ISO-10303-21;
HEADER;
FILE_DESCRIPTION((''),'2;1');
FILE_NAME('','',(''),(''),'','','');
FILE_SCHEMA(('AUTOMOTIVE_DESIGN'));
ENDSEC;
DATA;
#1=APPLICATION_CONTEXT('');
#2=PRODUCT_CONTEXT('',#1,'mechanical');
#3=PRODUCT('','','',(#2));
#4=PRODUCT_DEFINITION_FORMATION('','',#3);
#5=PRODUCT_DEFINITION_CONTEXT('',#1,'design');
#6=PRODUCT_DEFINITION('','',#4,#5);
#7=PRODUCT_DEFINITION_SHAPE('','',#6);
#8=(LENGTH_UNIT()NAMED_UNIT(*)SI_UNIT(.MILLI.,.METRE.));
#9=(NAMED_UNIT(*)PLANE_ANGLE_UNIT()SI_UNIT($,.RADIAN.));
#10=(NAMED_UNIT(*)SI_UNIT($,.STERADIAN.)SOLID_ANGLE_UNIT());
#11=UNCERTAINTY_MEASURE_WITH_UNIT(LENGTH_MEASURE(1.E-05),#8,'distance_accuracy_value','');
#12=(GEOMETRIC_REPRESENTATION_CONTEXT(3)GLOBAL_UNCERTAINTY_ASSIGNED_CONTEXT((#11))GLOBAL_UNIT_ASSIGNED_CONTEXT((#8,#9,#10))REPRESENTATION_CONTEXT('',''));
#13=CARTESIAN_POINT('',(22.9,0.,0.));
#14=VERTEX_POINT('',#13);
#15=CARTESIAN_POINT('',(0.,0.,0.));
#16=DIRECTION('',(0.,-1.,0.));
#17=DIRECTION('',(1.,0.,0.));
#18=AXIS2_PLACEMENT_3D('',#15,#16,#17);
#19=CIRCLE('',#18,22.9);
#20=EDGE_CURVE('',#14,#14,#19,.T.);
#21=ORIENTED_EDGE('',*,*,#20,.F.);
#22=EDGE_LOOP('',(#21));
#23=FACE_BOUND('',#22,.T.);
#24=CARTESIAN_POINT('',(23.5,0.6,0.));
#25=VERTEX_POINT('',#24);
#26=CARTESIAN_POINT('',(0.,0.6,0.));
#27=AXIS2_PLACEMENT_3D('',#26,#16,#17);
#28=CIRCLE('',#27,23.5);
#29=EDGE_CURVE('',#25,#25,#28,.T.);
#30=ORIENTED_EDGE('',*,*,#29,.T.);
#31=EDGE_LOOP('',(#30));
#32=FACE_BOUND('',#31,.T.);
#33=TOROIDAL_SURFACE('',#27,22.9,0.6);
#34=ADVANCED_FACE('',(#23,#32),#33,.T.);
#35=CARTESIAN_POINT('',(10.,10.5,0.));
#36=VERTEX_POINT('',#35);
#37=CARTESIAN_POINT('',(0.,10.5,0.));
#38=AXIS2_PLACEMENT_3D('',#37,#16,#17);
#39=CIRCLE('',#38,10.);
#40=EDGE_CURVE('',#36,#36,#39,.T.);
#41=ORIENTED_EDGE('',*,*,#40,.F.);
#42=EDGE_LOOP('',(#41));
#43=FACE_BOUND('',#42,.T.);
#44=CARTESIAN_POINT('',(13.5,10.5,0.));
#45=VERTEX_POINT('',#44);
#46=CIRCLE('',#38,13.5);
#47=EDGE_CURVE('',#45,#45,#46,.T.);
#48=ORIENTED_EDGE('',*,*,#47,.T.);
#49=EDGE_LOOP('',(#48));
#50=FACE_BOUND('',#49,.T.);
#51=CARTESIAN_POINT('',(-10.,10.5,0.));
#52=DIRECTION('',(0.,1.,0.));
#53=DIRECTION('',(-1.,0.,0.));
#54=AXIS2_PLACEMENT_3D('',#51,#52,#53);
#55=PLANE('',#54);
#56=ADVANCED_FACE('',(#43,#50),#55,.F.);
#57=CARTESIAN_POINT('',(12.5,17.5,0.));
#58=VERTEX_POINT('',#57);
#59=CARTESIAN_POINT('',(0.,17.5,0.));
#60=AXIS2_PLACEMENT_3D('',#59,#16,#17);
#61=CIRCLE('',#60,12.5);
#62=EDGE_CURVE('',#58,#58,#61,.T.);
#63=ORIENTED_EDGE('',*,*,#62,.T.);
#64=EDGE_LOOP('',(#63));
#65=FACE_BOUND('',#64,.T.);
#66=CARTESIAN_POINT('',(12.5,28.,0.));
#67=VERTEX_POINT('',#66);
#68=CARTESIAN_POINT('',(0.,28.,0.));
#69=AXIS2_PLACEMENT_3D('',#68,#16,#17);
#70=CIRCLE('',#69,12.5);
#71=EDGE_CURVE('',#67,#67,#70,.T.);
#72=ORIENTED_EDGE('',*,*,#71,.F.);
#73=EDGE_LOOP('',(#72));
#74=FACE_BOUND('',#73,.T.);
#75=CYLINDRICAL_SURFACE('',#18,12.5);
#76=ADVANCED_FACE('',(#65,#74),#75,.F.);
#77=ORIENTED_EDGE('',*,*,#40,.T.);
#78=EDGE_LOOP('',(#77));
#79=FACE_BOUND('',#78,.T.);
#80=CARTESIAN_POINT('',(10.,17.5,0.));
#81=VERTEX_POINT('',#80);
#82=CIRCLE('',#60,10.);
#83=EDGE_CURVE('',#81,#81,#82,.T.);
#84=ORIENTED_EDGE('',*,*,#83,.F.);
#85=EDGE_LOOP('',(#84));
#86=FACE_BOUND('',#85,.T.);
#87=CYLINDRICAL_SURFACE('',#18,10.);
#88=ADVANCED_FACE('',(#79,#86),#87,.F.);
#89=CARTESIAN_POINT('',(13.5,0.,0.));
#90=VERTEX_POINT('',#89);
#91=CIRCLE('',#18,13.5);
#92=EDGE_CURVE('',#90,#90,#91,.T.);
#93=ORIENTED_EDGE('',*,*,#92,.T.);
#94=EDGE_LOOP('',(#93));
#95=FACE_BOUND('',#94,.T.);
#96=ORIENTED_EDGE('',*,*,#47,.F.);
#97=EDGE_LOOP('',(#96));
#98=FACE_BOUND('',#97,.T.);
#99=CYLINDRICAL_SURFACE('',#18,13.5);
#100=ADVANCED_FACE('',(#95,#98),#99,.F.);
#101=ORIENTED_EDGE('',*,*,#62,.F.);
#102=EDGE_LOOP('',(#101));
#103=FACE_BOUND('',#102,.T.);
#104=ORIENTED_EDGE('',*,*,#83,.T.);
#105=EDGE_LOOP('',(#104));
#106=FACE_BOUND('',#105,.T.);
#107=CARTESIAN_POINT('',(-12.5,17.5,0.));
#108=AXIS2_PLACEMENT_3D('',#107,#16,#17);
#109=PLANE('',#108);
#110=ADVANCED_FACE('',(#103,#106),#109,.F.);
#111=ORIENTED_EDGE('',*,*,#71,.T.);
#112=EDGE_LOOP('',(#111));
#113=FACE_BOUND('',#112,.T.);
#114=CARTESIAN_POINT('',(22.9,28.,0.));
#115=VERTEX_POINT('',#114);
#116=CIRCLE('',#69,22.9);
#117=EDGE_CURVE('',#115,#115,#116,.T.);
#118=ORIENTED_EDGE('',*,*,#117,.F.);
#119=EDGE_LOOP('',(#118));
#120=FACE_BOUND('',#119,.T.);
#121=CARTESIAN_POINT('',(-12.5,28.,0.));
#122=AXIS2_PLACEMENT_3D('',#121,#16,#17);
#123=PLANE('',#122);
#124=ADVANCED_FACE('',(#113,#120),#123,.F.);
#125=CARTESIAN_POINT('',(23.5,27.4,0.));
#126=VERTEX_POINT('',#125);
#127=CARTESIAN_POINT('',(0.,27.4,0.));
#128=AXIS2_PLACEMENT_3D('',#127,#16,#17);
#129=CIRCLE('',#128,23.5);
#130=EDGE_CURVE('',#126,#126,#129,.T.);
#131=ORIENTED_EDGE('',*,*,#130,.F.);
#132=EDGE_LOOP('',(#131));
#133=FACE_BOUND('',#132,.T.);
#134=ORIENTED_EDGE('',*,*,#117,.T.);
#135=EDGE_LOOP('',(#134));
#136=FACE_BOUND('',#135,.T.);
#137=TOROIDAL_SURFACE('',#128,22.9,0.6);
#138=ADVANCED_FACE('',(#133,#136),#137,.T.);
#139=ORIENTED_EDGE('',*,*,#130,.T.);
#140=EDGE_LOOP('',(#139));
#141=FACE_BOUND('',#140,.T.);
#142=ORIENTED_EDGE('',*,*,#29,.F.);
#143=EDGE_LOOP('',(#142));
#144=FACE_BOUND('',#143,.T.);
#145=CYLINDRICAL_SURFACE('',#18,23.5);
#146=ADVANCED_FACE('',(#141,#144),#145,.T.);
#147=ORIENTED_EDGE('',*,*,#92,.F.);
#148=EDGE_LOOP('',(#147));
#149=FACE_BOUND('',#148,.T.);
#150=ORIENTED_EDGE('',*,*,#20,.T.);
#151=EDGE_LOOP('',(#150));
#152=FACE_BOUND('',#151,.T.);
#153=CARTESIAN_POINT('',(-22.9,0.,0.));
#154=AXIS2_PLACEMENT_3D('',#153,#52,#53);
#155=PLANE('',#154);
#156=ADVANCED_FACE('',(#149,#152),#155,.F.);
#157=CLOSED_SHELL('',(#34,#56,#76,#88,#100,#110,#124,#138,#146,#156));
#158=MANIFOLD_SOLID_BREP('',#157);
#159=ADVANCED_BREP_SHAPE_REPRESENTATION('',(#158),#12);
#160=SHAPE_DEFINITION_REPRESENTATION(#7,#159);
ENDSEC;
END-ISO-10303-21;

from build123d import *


with BuildPart() as part:
    # Szkic1 → Obrót1 (revolve)
    with BuildSketch(Plane.XY, mode=Mode.PRIVATE) as obr_t1_sk:
        with BuildLine():
            Line((-12.5, 28), (-22.9, 28))
            ThreePointArc((-22.9, 28), (-23.324264069, 27.824264069), (-23.5, 27.4))
            Line((-23.5, 27.4), (-23.5, 0.6))
            ThreePointArc((-23.5, 0.6), (-23.324264069, 0.175735931), (-22.9, 0))
            Line((-22.9, 0), (-13.5, 0))
            Line((-13.5, 0), (-13.5, 10.5))
            Line((-13.5, 10.5), (-10, 10.5))
            Line((-10, 10.5), (-10, 17.5))
            Line((-10, 17.5), (-12.5, 17.5))
            Line((-12.5, 17.5), (-12.5, 28))
        make_face()
    revolve(obr_t1_sk.sketch.rotate(Axis((0, 0, 0), (0, 1, 0)), 180), axis=Axis((0, 0, 0), (0, 1, 0)))


solid = part.part
